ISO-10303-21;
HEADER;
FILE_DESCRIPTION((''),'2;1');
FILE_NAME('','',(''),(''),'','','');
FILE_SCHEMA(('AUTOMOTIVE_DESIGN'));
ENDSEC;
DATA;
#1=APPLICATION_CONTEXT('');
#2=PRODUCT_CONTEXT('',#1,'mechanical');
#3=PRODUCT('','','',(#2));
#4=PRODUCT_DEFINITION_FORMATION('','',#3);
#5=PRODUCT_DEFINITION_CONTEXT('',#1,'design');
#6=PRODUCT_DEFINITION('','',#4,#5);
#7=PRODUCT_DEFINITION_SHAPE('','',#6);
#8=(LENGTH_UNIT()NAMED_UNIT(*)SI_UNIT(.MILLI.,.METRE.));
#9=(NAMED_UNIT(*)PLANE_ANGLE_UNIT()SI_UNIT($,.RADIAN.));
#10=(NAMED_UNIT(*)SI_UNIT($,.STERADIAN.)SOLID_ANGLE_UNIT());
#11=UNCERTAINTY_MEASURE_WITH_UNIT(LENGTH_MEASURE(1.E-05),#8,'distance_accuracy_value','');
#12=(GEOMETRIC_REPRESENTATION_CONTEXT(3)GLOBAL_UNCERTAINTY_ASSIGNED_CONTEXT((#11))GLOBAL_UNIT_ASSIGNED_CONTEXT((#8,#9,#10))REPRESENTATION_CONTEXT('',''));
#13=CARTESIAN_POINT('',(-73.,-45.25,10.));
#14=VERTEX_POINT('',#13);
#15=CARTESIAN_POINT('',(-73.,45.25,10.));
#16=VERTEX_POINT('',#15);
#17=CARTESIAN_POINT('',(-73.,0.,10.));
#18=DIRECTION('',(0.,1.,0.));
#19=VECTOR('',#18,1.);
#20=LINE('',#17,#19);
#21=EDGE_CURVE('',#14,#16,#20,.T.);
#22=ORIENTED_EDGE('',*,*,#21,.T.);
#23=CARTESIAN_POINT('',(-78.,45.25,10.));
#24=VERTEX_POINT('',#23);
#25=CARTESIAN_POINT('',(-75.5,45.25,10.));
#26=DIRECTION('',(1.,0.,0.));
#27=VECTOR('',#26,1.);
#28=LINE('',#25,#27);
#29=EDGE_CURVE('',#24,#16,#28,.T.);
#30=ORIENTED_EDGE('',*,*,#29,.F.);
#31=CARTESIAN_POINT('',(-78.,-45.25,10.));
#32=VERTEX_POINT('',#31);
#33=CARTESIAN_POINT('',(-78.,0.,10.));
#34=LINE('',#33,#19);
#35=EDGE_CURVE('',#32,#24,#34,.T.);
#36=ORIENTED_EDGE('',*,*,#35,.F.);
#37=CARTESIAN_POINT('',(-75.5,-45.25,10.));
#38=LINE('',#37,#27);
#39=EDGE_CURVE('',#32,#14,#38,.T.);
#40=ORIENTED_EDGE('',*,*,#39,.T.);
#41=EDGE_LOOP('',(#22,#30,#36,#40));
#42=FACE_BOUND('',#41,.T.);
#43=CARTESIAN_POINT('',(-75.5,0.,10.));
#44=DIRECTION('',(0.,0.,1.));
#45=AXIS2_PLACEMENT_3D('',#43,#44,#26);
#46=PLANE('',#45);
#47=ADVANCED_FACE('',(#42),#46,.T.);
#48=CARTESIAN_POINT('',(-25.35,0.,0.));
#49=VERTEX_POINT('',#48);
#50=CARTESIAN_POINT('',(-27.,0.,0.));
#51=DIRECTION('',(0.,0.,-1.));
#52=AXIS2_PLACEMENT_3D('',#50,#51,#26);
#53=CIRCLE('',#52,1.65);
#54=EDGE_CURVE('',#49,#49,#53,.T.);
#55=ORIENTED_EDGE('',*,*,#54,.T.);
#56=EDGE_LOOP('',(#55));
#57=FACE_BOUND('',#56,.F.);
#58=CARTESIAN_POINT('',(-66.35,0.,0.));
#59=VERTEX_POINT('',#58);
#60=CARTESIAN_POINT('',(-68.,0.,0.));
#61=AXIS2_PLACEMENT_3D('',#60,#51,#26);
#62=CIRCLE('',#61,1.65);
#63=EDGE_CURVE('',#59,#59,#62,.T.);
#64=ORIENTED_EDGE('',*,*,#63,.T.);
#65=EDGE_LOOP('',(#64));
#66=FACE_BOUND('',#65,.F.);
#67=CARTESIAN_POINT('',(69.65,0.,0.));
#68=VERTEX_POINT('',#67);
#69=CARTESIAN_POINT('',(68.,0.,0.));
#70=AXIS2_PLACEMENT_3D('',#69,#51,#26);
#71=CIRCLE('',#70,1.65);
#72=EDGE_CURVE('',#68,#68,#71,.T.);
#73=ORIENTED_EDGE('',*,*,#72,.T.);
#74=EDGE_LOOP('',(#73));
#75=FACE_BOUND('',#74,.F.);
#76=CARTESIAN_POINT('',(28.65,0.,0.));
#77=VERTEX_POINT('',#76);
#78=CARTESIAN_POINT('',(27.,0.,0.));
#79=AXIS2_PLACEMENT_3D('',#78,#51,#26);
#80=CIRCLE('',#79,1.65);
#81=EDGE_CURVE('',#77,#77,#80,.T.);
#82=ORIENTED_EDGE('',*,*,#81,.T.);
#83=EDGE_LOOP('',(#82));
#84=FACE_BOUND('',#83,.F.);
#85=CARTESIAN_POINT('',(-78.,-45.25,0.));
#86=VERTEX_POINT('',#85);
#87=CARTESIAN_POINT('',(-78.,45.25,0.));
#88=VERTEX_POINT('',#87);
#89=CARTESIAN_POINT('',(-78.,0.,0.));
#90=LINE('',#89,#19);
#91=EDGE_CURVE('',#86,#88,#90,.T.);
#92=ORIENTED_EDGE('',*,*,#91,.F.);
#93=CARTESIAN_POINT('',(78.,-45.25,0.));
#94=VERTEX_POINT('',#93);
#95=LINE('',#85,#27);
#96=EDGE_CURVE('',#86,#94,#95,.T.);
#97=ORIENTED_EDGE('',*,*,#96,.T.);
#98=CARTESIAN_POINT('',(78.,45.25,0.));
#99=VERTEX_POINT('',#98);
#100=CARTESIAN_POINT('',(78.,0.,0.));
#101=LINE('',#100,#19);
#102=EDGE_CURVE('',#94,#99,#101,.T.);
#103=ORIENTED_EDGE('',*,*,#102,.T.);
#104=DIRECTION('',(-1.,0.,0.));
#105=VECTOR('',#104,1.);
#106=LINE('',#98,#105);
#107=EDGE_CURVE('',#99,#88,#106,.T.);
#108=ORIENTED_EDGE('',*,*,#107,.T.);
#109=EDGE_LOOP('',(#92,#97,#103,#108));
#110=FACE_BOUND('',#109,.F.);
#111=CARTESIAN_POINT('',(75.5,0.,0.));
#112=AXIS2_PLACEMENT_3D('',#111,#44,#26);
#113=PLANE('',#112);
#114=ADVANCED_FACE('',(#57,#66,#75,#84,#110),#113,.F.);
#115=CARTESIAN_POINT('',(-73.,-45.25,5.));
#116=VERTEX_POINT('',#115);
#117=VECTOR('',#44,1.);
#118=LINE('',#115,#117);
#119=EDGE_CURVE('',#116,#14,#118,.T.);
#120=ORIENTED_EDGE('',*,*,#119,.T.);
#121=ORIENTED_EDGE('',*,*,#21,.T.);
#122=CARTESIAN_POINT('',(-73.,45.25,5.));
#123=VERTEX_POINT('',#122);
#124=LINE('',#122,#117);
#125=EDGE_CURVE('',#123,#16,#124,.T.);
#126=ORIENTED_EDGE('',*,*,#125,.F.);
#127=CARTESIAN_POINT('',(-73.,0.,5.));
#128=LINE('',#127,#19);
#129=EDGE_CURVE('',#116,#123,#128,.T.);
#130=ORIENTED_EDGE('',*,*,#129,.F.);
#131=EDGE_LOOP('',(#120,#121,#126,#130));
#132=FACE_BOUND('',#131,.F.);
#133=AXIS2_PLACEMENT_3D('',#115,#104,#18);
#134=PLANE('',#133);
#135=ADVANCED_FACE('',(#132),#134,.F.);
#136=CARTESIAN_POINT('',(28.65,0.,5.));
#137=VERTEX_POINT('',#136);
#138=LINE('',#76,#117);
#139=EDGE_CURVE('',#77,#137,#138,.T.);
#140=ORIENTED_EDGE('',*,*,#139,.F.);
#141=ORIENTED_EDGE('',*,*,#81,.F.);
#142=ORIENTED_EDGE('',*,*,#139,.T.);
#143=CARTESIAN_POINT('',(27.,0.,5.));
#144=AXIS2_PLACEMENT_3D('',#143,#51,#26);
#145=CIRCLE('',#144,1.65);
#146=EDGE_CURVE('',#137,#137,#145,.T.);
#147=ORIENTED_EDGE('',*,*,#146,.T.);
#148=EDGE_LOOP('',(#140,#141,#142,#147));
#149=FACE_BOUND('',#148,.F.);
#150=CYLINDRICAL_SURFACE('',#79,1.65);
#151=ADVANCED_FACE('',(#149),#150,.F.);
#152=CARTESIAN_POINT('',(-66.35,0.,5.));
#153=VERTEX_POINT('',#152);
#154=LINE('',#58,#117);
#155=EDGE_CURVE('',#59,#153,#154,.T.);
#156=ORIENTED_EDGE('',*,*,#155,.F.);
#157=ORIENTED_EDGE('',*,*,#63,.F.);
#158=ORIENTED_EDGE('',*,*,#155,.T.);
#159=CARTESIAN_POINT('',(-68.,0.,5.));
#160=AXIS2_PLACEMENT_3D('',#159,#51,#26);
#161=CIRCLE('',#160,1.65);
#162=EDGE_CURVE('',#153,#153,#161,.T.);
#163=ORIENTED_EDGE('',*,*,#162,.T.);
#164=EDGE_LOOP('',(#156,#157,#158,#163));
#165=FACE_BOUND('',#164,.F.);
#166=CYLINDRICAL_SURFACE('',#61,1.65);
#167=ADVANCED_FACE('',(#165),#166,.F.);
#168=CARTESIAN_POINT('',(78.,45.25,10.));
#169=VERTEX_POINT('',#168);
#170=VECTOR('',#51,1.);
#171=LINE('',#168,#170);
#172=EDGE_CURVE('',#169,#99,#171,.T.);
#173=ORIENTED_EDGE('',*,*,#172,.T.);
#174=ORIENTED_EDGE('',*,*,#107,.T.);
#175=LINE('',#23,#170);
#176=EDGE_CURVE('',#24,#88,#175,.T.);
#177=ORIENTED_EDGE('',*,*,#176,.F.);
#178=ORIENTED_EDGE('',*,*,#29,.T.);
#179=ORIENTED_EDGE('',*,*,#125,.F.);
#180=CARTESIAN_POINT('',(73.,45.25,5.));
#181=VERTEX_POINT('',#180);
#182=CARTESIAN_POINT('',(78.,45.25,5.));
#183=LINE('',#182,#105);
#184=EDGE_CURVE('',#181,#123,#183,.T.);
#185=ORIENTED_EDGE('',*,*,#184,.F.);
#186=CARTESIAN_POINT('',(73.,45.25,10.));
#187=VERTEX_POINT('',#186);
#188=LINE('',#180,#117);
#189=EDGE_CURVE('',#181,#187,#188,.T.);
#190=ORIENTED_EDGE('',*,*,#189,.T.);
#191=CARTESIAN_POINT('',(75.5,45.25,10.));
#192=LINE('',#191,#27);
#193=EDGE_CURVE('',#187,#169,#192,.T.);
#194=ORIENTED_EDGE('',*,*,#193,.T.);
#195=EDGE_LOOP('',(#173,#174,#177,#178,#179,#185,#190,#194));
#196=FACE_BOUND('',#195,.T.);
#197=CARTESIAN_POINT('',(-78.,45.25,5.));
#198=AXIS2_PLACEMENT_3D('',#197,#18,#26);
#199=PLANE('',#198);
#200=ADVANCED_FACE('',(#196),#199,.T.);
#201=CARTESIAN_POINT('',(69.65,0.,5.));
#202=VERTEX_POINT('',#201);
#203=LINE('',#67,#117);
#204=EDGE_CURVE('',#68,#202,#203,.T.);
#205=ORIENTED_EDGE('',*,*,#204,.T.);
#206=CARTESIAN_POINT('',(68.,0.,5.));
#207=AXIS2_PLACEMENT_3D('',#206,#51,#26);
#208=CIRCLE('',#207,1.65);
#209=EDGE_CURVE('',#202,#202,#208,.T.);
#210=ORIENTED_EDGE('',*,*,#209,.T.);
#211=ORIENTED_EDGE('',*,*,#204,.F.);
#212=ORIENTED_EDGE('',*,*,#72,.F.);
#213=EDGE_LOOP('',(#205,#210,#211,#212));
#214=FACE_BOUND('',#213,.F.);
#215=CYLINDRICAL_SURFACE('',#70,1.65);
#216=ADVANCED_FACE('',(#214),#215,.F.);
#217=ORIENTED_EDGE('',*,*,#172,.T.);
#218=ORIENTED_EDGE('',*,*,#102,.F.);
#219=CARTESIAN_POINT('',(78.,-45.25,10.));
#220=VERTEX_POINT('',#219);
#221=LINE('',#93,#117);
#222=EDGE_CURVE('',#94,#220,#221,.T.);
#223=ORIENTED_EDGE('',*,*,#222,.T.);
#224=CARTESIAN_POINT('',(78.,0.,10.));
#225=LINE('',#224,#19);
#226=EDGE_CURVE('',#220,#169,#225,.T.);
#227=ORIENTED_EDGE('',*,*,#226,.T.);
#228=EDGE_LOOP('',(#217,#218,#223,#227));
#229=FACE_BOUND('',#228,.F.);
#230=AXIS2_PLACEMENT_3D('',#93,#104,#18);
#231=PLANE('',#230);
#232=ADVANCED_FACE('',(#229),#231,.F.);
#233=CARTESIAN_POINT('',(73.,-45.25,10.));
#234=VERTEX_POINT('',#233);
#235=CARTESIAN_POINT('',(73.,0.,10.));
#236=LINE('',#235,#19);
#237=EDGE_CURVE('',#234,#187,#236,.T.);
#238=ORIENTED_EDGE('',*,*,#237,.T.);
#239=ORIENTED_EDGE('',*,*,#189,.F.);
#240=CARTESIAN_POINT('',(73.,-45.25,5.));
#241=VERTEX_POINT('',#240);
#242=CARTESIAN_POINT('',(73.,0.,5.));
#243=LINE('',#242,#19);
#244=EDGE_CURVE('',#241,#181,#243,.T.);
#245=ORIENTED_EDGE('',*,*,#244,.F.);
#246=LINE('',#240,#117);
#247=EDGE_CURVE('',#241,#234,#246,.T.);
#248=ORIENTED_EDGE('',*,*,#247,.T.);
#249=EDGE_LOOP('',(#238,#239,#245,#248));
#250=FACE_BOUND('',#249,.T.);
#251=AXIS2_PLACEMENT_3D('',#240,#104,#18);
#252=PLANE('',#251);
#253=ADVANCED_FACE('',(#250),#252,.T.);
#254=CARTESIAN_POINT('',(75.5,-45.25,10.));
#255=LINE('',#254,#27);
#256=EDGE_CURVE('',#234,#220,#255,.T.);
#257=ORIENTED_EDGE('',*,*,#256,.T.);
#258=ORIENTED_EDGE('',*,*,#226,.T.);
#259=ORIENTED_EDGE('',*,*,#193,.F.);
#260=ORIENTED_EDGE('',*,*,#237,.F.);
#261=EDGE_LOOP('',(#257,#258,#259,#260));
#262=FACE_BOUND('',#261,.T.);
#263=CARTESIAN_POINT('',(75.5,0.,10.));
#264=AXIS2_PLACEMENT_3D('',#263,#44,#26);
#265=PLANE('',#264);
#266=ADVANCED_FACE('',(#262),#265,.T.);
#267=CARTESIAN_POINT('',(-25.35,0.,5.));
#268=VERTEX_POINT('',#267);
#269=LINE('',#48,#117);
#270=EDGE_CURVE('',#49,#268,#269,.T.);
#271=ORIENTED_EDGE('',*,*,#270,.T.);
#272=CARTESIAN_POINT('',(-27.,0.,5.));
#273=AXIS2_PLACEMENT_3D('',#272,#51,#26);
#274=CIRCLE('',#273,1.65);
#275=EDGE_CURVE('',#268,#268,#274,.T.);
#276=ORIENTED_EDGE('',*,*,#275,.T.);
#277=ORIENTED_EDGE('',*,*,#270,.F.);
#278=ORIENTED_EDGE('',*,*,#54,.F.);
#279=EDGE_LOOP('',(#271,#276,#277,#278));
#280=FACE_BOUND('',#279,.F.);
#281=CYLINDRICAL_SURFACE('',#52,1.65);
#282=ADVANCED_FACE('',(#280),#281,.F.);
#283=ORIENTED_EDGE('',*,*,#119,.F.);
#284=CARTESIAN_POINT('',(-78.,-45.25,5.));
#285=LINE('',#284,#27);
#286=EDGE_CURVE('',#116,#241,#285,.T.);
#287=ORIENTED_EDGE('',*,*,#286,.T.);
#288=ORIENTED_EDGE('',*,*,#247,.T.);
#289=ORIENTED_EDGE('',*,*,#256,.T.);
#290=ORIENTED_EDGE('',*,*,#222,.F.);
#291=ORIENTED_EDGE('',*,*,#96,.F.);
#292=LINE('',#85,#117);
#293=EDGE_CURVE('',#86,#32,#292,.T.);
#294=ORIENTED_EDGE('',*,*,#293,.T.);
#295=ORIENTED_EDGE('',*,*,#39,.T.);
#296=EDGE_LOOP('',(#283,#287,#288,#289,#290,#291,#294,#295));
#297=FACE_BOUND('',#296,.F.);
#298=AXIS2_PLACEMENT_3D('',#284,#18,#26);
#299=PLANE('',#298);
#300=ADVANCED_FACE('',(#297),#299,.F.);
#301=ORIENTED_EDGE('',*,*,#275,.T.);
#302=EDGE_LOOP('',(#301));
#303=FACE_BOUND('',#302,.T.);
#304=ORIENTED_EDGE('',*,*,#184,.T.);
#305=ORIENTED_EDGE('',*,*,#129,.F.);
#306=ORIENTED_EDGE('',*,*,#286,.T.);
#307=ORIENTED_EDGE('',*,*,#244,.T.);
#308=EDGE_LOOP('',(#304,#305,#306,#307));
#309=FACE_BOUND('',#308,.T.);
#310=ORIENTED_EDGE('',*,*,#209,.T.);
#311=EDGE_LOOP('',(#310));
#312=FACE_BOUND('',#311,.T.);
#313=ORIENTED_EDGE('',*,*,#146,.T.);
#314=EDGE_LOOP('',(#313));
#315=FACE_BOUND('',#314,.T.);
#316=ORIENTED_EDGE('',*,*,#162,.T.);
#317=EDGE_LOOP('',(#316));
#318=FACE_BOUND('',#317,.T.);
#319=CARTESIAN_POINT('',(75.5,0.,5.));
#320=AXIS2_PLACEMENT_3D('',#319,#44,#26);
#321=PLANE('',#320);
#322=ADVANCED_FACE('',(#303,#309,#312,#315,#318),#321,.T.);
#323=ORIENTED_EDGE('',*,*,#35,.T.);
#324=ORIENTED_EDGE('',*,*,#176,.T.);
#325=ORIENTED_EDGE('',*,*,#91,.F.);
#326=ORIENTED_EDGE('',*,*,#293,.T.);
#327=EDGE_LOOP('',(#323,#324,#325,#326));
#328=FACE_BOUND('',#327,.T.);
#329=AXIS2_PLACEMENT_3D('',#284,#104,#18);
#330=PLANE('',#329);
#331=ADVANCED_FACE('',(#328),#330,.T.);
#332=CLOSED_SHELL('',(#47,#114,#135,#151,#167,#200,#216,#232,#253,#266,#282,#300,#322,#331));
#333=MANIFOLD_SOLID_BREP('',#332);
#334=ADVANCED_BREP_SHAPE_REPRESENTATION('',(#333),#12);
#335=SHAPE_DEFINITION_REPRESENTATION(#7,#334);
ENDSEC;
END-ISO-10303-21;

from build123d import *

# Parameters (mm, degrees)
F0_W     = 5
F0_H     = 90.5
F0_W_2   = 146
F1_DEPTH = 5
F2_W     = 5
F2_H     = 90.5
F3_DEPTH = 5
F4_R     = 1.65
F5_DEPTH = 10.001


with BuildPart() as f1:
    # F0 (on Top) → F1 (new body)
    with BuildSketch(Plane.XY):
        with Locations((75.5, 0)):
            Rectangle(F0_W, F0_H)
        Rectangle(F0_W_2, F0_H)
        with Locations((-75.5, 0)):
            Rectangle(F0_W, F0_H)
    extrude(amount=F1_DEPTH)

    # F2 (on face) → F3 (join)
    with BuildSketch(Plane.XY.offset(5)):
        with Locations((-75.5, 0)):
            Rectangle(F2_W, F2_H)
        with Locations((75.5, 0)):
            Rectangle(F2_W, F2_H)
    extrude(amount=F3_DEPTH)

    # F4 (on face) → F5 (cut, through all)
    with BuildSketch(Plane(origin=(0, 0, 0), x_dir=(1, 0, 0), z_dir=(0, 0, -1))):
        with Locations((-68, 0)):
            Circle(F4_R)
        with Locations((-27, 0)):
            Circle(F4_R)
        with Locations((27, 0)):
            Circle(F4_R)
        with Locations((68, 0)):
            Circle(F4_R)
    extrude(amount=-F5_DEPTH, mode=Mode.SUBTRACT)


solid = f1.part
